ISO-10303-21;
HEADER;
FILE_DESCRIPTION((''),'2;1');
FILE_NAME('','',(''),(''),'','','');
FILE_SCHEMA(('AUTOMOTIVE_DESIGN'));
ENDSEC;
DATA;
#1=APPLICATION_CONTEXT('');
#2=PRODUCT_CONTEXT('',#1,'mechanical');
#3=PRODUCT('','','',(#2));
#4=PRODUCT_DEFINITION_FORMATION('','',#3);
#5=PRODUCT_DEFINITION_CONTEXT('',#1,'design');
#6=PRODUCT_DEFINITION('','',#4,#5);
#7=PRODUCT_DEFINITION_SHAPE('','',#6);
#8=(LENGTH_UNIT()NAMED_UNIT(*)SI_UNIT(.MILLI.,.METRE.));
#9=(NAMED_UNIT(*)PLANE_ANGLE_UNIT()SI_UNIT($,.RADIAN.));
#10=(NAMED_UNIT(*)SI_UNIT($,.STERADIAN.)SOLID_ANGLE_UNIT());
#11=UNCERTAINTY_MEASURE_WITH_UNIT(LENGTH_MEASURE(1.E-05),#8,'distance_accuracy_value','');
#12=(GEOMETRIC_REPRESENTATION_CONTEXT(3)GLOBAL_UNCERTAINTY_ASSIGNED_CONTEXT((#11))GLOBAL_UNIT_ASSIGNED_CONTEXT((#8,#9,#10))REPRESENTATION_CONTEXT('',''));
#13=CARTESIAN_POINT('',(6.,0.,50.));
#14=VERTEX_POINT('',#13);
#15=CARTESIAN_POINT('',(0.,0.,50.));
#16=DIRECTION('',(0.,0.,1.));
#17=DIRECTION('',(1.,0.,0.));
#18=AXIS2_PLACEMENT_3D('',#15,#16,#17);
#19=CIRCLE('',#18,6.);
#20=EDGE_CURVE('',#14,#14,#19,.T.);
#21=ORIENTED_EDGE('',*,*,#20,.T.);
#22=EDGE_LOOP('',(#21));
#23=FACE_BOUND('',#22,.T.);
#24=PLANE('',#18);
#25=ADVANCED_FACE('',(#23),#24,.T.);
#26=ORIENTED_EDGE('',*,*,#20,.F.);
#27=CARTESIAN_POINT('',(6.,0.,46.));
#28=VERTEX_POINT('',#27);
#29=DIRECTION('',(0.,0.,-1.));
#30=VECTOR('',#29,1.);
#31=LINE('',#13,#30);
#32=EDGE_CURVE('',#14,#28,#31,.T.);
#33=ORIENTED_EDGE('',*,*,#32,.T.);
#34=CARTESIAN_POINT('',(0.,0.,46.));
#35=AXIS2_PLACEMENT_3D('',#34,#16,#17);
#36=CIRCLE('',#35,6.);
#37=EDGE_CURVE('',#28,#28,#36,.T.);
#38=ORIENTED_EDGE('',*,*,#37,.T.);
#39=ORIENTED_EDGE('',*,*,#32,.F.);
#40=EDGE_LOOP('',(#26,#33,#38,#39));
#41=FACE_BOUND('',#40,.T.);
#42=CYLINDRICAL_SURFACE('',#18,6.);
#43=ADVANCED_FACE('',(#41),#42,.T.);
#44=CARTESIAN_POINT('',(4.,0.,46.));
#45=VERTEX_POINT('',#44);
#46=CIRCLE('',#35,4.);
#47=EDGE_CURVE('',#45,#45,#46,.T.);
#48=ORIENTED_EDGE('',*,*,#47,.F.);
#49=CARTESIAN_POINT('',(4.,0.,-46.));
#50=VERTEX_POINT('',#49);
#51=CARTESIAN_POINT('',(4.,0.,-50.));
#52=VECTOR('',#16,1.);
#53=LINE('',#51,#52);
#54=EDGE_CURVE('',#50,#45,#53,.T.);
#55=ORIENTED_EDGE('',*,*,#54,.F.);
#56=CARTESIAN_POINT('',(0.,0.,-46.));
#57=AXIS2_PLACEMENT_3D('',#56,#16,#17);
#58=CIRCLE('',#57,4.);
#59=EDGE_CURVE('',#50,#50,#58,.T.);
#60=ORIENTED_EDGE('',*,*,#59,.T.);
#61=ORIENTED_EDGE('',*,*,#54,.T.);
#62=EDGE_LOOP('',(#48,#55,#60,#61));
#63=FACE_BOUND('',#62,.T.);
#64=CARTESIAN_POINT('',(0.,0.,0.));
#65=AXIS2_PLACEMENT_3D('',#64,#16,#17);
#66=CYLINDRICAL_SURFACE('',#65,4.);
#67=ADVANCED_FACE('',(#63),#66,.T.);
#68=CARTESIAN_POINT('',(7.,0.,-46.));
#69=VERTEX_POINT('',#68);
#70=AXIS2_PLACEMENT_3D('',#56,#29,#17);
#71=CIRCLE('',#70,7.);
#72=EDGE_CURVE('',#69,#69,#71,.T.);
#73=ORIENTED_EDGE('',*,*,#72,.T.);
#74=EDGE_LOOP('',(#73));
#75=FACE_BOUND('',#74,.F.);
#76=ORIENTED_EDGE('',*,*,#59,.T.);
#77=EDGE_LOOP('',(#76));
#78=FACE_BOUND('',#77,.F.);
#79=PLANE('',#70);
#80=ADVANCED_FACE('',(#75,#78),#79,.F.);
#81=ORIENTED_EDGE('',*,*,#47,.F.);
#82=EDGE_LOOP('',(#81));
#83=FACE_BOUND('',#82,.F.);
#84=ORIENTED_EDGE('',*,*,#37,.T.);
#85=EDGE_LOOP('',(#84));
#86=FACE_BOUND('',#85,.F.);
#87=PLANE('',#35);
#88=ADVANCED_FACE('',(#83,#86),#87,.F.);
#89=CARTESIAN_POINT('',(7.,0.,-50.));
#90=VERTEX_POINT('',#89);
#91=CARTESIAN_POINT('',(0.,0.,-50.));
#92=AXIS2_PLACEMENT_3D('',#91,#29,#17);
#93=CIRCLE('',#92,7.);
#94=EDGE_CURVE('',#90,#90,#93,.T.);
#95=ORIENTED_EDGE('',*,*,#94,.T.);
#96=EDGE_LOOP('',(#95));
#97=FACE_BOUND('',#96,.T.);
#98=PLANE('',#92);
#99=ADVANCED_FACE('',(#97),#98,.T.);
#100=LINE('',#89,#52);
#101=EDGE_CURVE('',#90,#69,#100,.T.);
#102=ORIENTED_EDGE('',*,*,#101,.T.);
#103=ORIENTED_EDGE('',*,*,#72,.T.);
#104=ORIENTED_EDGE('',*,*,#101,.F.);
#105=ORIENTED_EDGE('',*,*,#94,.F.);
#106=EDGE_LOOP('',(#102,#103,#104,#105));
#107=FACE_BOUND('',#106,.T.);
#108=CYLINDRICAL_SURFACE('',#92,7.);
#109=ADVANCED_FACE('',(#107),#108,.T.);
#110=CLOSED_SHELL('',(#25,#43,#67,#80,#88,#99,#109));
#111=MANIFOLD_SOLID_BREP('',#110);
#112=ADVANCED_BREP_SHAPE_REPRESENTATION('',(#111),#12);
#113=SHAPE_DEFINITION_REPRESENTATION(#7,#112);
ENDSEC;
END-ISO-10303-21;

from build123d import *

# Parameters (mm, degrees)
F0_R     = 4
F1_DEPTH = 50
F2_R     = 6
F3_DEPTH = 4
F4_R     = 7
F5_DEPTH = 4


with BuildPart() as f1:
    # F0 (on Top) → F1 (new body, symmetric)
    with BuildSketch(Plane.XY):
        Circle(F0_R)
    extrude(amount=F1_DEPTH, both=True)

    # F2 (on face) → F3 (join)
    with BuildSketch(Plane.XY.offset(50)):
        Circle(F2_R)
    extrude(amount=-F3_DEPTH)

    # F4 (on face) → F5 (join)
    with BuildSketch(Plane(origin=(0, 0, -50), x_dir=(1, 0, 0), z_dir=(0, 0, -1))):
        Circle(F4_R)
    extrude(amount=-F5_DEPTH)


solid = f1.part
